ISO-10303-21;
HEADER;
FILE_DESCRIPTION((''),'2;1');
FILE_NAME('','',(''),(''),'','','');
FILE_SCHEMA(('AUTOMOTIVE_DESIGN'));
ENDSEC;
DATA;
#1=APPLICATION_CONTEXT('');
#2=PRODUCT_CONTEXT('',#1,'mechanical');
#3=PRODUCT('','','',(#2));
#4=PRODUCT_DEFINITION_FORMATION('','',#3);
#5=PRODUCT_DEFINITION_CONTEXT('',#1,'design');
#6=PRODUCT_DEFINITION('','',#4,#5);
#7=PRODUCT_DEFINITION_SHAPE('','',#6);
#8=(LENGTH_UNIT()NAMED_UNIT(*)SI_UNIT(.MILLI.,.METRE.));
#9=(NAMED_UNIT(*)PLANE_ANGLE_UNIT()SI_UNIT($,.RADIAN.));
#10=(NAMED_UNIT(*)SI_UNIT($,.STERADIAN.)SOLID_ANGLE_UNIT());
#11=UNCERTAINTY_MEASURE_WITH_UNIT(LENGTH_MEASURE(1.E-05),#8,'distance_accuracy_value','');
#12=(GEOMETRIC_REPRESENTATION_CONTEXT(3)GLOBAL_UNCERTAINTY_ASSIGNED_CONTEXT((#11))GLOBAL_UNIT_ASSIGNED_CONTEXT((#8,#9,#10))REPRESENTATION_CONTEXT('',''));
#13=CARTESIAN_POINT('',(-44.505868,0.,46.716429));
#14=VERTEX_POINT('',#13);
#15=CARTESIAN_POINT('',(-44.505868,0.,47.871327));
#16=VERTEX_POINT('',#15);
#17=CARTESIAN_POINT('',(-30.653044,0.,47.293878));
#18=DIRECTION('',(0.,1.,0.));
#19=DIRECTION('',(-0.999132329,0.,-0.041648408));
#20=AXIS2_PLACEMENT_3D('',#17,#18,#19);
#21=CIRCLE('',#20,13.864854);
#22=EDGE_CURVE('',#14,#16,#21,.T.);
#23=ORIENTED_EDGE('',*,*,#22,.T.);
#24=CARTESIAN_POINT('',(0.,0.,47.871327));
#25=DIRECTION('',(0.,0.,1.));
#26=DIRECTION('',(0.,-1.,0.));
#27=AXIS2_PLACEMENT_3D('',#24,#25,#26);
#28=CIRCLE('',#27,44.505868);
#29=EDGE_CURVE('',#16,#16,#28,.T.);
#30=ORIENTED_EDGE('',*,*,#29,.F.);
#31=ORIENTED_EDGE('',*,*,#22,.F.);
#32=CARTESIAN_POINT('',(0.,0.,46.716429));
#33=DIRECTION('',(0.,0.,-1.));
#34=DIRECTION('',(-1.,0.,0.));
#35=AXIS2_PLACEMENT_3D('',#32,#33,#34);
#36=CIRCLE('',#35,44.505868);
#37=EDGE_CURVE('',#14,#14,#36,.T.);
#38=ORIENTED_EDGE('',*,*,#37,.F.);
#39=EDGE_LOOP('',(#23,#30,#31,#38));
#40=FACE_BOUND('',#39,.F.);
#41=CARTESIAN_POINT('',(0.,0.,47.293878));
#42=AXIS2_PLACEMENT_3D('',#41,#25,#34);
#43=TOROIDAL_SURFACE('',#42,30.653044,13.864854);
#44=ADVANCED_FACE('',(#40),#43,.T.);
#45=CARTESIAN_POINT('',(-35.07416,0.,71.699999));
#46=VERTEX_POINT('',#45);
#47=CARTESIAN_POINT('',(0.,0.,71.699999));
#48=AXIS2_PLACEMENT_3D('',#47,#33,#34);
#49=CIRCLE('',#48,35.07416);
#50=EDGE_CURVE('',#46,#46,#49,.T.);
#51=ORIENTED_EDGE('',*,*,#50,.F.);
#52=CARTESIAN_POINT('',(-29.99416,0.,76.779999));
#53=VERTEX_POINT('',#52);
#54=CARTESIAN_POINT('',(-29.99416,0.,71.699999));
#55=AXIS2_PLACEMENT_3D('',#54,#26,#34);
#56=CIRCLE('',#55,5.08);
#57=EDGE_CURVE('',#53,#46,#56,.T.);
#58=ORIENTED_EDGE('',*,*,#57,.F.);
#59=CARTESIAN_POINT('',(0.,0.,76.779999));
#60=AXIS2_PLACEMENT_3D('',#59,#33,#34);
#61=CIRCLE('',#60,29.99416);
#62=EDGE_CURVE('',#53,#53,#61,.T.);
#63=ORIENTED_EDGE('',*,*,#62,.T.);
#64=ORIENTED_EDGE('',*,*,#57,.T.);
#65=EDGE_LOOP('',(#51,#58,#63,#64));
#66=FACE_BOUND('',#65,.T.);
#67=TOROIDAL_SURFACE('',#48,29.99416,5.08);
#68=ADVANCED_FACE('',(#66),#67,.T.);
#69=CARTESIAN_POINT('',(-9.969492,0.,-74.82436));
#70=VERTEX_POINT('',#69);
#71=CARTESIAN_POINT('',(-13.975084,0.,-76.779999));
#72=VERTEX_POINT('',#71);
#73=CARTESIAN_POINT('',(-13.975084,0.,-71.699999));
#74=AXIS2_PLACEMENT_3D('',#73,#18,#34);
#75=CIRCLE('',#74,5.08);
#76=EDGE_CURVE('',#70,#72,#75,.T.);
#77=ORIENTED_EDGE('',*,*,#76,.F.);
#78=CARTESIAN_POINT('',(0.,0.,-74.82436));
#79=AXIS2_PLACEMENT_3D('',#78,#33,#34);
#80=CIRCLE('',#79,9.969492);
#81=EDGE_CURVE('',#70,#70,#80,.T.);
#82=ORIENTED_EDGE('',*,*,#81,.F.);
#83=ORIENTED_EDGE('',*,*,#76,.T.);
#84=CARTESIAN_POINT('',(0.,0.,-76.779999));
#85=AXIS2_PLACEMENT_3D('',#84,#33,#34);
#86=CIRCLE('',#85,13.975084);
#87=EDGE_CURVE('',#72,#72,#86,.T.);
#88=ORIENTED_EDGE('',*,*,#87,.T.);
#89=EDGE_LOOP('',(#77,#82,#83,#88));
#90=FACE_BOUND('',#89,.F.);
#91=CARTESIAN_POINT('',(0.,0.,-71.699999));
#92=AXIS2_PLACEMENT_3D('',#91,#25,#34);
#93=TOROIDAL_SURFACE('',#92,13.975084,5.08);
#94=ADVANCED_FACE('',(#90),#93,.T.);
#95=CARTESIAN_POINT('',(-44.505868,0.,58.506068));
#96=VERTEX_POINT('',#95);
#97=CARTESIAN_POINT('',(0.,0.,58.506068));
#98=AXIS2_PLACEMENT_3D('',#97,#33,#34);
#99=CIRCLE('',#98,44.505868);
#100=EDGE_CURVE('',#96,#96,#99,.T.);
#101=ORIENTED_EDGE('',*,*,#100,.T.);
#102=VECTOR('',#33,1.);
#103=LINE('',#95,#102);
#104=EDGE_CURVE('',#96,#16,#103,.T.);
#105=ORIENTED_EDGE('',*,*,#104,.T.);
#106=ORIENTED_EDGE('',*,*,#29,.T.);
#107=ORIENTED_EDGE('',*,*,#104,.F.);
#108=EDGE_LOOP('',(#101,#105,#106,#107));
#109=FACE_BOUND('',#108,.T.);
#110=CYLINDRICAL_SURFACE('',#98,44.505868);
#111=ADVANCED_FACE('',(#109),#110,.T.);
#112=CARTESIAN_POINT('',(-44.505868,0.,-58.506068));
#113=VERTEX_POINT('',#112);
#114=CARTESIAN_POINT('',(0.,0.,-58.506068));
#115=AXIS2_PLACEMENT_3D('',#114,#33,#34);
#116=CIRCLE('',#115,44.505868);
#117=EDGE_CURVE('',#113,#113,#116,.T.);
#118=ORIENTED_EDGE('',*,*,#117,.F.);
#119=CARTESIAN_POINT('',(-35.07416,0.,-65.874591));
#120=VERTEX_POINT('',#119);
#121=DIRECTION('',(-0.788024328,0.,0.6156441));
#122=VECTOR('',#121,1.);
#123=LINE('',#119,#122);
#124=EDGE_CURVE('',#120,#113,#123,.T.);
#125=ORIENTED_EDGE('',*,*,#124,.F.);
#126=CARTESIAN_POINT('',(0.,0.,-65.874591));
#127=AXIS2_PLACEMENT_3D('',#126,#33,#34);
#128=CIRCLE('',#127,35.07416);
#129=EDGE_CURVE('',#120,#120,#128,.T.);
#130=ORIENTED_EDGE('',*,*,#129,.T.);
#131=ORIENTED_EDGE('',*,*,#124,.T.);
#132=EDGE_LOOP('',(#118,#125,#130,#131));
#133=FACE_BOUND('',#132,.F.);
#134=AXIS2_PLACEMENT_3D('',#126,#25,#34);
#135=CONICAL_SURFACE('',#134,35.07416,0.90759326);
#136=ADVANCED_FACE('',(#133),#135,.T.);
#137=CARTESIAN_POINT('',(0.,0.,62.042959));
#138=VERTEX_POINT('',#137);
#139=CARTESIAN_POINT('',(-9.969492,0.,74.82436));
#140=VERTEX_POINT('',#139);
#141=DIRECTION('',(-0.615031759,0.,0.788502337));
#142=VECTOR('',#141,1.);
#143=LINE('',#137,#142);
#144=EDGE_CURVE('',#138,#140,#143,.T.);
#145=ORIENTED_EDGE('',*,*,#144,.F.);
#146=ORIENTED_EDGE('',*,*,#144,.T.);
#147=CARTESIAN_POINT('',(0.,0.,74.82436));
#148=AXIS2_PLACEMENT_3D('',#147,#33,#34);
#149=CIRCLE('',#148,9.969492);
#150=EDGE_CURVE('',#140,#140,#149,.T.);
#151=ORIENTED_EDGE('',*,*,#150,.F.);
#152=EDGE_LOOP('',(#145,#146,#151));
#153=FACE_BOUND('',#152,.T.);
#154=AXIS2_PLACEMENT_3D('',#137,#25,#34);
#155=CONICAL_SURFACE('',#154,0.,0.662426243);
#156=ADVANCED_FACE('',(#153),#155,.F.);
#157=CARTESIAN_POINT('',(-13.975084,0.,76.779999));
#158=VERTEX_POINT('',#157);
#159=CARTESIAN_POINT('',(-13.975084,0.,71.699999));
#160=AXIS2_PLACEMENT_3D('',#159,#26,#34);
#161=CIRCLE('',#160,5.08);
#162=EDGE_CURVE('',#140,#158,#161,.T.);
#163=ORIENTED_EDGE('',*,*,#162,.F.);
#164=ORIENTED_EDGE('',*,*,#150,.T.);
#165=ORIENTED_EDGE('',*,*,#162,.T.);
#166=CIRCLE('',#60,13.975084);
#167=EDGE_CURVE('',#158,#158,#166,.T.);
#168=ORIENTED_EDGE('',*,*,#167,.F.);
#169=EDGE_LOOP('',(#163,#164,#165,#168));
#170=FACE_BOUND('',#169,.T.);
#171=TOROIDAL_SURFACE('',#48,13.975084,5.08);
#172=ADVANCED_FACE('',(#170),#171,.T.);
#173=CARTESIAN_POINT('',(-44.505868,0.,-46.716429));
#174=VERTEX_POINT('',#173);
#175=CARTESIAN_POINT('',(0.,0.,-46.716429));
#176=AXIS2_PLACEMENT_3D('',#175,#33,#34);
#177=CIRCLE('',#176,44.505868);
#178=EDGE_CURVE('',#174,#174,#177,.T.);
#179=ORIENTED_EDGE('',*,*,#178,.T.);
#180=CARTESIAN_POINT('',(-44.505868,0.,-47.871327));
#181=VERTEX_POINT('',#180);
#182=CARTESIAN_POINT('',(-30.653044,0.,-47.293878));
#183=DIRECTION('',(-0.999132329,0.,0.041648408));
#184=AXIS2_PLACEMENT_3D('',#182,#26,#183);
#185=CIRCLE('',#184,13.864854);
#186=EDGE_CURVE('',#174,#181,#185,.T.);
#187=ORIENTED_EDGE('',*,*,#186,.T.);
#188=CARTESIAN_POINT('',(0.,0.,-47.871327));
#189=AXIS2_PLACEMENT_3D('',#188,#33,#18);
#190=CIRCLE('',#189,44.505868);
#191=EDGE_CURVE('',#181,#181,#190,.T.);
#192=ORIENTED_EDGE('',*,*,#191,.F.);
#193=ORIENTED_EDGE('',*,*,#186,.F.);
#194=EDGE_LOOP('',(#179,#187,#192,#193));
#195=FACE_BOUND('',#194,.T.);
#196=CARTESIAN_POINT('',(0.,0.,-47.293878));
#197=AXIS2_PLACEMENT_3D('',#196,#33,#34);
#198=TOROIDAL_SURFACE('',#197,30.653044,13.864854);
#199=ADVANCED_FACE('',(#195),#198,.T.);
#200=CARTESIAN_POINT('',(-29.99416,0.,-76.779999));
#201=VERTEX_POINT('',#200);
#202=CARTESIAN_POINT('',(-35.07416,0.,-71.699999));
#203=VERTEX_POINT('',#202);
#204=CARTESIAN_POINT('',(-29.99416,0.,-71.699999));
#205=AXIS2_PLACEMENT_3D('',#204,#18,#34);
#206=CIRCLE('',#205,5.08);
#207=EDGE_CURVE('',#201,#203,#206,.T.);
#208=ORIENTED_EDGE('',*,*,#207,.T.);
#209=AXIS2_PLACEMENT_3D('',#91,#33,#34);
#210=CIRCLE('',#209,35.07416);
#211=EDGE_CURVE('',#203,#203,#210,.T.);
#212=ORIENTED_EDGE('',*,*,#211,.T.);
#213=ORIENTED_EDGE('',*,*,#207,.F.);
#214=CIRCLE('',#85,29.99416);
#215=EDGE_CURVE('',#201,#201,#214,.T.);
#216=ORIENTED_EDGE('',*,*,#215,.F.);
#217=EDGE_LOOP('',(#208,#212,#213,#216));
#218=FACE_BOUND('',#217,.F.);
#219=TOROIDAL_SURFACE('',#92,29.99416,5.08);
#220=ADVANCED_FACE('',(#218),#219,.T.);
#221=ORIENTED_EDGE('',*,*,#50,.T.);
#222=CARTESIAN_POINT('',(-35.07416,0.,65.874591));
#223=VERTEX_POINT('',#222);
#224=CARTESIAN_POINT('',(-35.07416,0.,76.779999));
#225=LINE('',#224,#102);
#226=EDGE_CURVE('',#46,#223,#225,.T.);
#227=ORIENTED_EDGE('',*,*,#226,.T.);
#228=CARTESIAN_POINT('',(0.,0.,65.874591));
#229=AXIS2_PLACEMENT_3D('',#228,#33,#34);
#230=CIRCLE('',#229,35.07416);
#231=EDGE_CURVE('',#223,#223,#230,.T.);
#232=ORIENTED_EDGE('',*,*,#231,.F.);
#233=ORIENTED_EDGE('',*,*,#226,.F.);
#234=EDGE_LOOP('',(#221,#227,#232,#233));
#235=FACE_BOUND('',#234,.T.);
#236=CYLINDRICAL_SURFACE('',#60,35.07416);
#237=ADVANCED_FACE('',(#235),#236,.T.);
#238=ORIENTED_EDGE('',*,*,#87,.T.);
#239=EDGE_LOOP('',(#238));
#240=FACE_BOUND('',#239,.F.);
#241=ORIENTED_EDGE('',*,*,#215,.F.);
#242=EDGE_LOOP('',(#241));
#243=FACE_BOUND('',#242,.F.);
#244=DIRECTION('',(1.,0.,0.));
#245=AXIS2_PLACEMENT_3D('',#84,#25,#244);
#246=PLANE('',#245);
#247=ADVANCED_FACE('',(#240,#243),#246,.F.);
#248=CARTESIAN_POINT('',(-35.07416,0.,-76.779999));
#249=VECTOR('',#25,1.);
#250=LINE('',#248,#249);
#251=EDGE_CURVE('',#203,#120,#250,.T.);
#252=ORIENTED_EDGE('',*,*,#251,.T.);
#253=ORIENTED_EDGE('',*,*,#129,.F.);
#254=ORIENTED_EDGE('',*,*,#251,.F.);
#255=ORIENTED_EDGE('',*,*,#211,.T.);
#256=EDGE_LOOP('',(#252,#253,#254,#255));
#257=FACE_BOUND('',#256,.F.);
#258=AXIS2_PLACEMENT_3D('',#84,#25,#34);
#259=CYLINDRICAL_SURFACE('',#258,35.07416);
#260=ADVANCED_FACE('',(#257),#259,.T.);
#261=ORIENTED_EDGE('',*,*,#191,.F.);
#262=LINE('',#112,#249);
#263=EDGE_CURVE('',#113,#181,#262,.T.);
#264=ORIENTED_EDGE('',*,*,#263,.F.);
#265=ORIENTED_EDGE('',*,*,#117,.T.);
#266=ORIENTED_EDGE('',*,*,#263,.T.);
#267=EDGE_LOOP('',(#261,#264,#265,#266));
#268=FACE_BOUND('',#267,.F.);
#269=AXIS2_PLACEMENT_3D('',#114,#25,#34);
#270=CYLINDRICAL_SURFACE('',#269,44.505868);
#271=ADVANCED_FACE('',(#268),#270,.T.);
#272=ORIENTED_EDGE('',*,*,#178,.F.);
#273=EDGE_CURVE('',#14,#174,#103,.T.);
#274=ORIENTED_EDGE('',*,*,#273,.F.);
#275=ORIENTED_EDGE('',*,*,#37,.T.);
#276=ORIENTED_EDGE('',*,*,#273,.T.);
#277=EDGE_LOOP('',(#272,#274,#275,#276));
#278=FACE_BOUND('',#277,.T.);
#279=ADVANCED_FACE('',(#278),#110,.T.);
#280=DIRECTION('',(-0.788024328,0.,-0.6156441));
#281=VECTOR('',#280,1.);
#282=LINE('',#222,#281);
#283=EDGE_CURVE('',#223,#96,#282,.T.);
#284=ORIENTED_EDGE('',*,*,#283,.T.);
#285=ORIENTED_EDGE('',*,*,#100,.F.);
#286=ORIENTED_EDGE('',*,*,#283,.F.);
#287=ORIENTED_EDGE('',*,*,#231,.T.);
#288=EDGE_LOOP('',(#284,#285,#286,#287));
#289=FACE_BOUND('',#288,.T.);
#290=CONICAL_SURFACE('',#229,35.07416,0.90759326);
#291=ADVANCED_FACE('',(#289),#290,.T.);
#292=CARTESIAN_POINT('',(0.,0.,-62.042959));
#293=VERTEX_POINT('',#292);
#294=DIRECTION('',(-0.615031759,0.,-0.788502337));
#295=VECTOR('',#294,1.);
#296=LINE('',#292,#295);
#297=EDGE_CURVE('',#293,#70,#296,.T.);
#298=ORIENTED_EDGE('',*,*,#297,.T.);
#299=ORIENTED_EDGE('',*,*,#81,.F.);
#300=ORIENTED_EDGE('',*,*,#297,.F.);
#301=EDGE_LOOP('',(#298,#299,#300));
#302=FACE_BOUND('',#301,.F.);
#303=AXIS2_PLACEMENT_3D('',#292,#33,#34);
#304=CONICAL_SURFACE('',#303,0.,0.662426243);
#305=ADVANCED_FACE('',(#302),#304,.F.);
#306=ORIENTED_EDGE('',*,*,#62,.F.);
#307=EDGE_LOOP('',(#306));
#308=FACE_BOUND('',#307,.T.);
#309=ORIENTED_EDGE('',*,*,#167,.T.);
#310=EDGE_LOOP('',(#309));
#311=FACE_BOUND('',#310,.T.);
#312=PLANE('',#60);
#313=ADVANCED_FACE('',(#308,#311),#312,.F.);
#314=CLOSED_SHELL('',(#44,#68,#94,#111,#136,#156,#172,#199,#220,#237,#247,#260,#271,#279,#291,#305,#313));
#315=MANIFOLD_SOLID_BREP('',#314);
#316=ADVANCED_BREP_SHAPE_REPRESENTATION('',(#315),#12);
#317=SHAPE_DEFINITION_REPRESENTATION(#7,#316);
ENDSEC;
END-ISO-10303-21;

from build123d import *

# Parameters (mm, degrees)
F2_R = 5.08


with BuildPart() as f1:
    # F0 (on Front) → F1 (revolve)
    with BuildSketch(Plane.XZ):
        with BuildLine():
            Line((0, -61.158732), (0, 62.042959))
            Line((0, 62.042959), (-11.49489, 76.779999))
            Line((-11.49489, 76.779999), (-35.07416, 76.779999))
            Line((-35.07416, 76.779999), (-35.07416, 65.874591))
            Line((-35.07416, 65.874591), (-44.505868, 58.506068))
            Line((-44.505868, 58.506068), (-44.505868, -46.716429))
            ThreePointArc((-44.505868, -46.716429), (-40.659053, -56.89148), (-30.653045, -61.158732))
            Line((-30.653045, -61.158732), (0, -61.158732))
        make_face()
    revolve(axis=Axis((0, 0, 0.442114), (0, 0, -1)))

    # F2
    f2_edges = [f1.edges().sort_by_distance(p)[0] for p in [
        (11.49489, 0, 76.779999),
        (35.07416, 0, 76.779999),
    ]]
    fillet(f2_edges, radius=F2_R)

    # F3: F1 across plane


with BuildPart() as f1_1:
    add(f1.part)
    add(f1.part.mirror(Plane.XY))


solid = f1_1.part
